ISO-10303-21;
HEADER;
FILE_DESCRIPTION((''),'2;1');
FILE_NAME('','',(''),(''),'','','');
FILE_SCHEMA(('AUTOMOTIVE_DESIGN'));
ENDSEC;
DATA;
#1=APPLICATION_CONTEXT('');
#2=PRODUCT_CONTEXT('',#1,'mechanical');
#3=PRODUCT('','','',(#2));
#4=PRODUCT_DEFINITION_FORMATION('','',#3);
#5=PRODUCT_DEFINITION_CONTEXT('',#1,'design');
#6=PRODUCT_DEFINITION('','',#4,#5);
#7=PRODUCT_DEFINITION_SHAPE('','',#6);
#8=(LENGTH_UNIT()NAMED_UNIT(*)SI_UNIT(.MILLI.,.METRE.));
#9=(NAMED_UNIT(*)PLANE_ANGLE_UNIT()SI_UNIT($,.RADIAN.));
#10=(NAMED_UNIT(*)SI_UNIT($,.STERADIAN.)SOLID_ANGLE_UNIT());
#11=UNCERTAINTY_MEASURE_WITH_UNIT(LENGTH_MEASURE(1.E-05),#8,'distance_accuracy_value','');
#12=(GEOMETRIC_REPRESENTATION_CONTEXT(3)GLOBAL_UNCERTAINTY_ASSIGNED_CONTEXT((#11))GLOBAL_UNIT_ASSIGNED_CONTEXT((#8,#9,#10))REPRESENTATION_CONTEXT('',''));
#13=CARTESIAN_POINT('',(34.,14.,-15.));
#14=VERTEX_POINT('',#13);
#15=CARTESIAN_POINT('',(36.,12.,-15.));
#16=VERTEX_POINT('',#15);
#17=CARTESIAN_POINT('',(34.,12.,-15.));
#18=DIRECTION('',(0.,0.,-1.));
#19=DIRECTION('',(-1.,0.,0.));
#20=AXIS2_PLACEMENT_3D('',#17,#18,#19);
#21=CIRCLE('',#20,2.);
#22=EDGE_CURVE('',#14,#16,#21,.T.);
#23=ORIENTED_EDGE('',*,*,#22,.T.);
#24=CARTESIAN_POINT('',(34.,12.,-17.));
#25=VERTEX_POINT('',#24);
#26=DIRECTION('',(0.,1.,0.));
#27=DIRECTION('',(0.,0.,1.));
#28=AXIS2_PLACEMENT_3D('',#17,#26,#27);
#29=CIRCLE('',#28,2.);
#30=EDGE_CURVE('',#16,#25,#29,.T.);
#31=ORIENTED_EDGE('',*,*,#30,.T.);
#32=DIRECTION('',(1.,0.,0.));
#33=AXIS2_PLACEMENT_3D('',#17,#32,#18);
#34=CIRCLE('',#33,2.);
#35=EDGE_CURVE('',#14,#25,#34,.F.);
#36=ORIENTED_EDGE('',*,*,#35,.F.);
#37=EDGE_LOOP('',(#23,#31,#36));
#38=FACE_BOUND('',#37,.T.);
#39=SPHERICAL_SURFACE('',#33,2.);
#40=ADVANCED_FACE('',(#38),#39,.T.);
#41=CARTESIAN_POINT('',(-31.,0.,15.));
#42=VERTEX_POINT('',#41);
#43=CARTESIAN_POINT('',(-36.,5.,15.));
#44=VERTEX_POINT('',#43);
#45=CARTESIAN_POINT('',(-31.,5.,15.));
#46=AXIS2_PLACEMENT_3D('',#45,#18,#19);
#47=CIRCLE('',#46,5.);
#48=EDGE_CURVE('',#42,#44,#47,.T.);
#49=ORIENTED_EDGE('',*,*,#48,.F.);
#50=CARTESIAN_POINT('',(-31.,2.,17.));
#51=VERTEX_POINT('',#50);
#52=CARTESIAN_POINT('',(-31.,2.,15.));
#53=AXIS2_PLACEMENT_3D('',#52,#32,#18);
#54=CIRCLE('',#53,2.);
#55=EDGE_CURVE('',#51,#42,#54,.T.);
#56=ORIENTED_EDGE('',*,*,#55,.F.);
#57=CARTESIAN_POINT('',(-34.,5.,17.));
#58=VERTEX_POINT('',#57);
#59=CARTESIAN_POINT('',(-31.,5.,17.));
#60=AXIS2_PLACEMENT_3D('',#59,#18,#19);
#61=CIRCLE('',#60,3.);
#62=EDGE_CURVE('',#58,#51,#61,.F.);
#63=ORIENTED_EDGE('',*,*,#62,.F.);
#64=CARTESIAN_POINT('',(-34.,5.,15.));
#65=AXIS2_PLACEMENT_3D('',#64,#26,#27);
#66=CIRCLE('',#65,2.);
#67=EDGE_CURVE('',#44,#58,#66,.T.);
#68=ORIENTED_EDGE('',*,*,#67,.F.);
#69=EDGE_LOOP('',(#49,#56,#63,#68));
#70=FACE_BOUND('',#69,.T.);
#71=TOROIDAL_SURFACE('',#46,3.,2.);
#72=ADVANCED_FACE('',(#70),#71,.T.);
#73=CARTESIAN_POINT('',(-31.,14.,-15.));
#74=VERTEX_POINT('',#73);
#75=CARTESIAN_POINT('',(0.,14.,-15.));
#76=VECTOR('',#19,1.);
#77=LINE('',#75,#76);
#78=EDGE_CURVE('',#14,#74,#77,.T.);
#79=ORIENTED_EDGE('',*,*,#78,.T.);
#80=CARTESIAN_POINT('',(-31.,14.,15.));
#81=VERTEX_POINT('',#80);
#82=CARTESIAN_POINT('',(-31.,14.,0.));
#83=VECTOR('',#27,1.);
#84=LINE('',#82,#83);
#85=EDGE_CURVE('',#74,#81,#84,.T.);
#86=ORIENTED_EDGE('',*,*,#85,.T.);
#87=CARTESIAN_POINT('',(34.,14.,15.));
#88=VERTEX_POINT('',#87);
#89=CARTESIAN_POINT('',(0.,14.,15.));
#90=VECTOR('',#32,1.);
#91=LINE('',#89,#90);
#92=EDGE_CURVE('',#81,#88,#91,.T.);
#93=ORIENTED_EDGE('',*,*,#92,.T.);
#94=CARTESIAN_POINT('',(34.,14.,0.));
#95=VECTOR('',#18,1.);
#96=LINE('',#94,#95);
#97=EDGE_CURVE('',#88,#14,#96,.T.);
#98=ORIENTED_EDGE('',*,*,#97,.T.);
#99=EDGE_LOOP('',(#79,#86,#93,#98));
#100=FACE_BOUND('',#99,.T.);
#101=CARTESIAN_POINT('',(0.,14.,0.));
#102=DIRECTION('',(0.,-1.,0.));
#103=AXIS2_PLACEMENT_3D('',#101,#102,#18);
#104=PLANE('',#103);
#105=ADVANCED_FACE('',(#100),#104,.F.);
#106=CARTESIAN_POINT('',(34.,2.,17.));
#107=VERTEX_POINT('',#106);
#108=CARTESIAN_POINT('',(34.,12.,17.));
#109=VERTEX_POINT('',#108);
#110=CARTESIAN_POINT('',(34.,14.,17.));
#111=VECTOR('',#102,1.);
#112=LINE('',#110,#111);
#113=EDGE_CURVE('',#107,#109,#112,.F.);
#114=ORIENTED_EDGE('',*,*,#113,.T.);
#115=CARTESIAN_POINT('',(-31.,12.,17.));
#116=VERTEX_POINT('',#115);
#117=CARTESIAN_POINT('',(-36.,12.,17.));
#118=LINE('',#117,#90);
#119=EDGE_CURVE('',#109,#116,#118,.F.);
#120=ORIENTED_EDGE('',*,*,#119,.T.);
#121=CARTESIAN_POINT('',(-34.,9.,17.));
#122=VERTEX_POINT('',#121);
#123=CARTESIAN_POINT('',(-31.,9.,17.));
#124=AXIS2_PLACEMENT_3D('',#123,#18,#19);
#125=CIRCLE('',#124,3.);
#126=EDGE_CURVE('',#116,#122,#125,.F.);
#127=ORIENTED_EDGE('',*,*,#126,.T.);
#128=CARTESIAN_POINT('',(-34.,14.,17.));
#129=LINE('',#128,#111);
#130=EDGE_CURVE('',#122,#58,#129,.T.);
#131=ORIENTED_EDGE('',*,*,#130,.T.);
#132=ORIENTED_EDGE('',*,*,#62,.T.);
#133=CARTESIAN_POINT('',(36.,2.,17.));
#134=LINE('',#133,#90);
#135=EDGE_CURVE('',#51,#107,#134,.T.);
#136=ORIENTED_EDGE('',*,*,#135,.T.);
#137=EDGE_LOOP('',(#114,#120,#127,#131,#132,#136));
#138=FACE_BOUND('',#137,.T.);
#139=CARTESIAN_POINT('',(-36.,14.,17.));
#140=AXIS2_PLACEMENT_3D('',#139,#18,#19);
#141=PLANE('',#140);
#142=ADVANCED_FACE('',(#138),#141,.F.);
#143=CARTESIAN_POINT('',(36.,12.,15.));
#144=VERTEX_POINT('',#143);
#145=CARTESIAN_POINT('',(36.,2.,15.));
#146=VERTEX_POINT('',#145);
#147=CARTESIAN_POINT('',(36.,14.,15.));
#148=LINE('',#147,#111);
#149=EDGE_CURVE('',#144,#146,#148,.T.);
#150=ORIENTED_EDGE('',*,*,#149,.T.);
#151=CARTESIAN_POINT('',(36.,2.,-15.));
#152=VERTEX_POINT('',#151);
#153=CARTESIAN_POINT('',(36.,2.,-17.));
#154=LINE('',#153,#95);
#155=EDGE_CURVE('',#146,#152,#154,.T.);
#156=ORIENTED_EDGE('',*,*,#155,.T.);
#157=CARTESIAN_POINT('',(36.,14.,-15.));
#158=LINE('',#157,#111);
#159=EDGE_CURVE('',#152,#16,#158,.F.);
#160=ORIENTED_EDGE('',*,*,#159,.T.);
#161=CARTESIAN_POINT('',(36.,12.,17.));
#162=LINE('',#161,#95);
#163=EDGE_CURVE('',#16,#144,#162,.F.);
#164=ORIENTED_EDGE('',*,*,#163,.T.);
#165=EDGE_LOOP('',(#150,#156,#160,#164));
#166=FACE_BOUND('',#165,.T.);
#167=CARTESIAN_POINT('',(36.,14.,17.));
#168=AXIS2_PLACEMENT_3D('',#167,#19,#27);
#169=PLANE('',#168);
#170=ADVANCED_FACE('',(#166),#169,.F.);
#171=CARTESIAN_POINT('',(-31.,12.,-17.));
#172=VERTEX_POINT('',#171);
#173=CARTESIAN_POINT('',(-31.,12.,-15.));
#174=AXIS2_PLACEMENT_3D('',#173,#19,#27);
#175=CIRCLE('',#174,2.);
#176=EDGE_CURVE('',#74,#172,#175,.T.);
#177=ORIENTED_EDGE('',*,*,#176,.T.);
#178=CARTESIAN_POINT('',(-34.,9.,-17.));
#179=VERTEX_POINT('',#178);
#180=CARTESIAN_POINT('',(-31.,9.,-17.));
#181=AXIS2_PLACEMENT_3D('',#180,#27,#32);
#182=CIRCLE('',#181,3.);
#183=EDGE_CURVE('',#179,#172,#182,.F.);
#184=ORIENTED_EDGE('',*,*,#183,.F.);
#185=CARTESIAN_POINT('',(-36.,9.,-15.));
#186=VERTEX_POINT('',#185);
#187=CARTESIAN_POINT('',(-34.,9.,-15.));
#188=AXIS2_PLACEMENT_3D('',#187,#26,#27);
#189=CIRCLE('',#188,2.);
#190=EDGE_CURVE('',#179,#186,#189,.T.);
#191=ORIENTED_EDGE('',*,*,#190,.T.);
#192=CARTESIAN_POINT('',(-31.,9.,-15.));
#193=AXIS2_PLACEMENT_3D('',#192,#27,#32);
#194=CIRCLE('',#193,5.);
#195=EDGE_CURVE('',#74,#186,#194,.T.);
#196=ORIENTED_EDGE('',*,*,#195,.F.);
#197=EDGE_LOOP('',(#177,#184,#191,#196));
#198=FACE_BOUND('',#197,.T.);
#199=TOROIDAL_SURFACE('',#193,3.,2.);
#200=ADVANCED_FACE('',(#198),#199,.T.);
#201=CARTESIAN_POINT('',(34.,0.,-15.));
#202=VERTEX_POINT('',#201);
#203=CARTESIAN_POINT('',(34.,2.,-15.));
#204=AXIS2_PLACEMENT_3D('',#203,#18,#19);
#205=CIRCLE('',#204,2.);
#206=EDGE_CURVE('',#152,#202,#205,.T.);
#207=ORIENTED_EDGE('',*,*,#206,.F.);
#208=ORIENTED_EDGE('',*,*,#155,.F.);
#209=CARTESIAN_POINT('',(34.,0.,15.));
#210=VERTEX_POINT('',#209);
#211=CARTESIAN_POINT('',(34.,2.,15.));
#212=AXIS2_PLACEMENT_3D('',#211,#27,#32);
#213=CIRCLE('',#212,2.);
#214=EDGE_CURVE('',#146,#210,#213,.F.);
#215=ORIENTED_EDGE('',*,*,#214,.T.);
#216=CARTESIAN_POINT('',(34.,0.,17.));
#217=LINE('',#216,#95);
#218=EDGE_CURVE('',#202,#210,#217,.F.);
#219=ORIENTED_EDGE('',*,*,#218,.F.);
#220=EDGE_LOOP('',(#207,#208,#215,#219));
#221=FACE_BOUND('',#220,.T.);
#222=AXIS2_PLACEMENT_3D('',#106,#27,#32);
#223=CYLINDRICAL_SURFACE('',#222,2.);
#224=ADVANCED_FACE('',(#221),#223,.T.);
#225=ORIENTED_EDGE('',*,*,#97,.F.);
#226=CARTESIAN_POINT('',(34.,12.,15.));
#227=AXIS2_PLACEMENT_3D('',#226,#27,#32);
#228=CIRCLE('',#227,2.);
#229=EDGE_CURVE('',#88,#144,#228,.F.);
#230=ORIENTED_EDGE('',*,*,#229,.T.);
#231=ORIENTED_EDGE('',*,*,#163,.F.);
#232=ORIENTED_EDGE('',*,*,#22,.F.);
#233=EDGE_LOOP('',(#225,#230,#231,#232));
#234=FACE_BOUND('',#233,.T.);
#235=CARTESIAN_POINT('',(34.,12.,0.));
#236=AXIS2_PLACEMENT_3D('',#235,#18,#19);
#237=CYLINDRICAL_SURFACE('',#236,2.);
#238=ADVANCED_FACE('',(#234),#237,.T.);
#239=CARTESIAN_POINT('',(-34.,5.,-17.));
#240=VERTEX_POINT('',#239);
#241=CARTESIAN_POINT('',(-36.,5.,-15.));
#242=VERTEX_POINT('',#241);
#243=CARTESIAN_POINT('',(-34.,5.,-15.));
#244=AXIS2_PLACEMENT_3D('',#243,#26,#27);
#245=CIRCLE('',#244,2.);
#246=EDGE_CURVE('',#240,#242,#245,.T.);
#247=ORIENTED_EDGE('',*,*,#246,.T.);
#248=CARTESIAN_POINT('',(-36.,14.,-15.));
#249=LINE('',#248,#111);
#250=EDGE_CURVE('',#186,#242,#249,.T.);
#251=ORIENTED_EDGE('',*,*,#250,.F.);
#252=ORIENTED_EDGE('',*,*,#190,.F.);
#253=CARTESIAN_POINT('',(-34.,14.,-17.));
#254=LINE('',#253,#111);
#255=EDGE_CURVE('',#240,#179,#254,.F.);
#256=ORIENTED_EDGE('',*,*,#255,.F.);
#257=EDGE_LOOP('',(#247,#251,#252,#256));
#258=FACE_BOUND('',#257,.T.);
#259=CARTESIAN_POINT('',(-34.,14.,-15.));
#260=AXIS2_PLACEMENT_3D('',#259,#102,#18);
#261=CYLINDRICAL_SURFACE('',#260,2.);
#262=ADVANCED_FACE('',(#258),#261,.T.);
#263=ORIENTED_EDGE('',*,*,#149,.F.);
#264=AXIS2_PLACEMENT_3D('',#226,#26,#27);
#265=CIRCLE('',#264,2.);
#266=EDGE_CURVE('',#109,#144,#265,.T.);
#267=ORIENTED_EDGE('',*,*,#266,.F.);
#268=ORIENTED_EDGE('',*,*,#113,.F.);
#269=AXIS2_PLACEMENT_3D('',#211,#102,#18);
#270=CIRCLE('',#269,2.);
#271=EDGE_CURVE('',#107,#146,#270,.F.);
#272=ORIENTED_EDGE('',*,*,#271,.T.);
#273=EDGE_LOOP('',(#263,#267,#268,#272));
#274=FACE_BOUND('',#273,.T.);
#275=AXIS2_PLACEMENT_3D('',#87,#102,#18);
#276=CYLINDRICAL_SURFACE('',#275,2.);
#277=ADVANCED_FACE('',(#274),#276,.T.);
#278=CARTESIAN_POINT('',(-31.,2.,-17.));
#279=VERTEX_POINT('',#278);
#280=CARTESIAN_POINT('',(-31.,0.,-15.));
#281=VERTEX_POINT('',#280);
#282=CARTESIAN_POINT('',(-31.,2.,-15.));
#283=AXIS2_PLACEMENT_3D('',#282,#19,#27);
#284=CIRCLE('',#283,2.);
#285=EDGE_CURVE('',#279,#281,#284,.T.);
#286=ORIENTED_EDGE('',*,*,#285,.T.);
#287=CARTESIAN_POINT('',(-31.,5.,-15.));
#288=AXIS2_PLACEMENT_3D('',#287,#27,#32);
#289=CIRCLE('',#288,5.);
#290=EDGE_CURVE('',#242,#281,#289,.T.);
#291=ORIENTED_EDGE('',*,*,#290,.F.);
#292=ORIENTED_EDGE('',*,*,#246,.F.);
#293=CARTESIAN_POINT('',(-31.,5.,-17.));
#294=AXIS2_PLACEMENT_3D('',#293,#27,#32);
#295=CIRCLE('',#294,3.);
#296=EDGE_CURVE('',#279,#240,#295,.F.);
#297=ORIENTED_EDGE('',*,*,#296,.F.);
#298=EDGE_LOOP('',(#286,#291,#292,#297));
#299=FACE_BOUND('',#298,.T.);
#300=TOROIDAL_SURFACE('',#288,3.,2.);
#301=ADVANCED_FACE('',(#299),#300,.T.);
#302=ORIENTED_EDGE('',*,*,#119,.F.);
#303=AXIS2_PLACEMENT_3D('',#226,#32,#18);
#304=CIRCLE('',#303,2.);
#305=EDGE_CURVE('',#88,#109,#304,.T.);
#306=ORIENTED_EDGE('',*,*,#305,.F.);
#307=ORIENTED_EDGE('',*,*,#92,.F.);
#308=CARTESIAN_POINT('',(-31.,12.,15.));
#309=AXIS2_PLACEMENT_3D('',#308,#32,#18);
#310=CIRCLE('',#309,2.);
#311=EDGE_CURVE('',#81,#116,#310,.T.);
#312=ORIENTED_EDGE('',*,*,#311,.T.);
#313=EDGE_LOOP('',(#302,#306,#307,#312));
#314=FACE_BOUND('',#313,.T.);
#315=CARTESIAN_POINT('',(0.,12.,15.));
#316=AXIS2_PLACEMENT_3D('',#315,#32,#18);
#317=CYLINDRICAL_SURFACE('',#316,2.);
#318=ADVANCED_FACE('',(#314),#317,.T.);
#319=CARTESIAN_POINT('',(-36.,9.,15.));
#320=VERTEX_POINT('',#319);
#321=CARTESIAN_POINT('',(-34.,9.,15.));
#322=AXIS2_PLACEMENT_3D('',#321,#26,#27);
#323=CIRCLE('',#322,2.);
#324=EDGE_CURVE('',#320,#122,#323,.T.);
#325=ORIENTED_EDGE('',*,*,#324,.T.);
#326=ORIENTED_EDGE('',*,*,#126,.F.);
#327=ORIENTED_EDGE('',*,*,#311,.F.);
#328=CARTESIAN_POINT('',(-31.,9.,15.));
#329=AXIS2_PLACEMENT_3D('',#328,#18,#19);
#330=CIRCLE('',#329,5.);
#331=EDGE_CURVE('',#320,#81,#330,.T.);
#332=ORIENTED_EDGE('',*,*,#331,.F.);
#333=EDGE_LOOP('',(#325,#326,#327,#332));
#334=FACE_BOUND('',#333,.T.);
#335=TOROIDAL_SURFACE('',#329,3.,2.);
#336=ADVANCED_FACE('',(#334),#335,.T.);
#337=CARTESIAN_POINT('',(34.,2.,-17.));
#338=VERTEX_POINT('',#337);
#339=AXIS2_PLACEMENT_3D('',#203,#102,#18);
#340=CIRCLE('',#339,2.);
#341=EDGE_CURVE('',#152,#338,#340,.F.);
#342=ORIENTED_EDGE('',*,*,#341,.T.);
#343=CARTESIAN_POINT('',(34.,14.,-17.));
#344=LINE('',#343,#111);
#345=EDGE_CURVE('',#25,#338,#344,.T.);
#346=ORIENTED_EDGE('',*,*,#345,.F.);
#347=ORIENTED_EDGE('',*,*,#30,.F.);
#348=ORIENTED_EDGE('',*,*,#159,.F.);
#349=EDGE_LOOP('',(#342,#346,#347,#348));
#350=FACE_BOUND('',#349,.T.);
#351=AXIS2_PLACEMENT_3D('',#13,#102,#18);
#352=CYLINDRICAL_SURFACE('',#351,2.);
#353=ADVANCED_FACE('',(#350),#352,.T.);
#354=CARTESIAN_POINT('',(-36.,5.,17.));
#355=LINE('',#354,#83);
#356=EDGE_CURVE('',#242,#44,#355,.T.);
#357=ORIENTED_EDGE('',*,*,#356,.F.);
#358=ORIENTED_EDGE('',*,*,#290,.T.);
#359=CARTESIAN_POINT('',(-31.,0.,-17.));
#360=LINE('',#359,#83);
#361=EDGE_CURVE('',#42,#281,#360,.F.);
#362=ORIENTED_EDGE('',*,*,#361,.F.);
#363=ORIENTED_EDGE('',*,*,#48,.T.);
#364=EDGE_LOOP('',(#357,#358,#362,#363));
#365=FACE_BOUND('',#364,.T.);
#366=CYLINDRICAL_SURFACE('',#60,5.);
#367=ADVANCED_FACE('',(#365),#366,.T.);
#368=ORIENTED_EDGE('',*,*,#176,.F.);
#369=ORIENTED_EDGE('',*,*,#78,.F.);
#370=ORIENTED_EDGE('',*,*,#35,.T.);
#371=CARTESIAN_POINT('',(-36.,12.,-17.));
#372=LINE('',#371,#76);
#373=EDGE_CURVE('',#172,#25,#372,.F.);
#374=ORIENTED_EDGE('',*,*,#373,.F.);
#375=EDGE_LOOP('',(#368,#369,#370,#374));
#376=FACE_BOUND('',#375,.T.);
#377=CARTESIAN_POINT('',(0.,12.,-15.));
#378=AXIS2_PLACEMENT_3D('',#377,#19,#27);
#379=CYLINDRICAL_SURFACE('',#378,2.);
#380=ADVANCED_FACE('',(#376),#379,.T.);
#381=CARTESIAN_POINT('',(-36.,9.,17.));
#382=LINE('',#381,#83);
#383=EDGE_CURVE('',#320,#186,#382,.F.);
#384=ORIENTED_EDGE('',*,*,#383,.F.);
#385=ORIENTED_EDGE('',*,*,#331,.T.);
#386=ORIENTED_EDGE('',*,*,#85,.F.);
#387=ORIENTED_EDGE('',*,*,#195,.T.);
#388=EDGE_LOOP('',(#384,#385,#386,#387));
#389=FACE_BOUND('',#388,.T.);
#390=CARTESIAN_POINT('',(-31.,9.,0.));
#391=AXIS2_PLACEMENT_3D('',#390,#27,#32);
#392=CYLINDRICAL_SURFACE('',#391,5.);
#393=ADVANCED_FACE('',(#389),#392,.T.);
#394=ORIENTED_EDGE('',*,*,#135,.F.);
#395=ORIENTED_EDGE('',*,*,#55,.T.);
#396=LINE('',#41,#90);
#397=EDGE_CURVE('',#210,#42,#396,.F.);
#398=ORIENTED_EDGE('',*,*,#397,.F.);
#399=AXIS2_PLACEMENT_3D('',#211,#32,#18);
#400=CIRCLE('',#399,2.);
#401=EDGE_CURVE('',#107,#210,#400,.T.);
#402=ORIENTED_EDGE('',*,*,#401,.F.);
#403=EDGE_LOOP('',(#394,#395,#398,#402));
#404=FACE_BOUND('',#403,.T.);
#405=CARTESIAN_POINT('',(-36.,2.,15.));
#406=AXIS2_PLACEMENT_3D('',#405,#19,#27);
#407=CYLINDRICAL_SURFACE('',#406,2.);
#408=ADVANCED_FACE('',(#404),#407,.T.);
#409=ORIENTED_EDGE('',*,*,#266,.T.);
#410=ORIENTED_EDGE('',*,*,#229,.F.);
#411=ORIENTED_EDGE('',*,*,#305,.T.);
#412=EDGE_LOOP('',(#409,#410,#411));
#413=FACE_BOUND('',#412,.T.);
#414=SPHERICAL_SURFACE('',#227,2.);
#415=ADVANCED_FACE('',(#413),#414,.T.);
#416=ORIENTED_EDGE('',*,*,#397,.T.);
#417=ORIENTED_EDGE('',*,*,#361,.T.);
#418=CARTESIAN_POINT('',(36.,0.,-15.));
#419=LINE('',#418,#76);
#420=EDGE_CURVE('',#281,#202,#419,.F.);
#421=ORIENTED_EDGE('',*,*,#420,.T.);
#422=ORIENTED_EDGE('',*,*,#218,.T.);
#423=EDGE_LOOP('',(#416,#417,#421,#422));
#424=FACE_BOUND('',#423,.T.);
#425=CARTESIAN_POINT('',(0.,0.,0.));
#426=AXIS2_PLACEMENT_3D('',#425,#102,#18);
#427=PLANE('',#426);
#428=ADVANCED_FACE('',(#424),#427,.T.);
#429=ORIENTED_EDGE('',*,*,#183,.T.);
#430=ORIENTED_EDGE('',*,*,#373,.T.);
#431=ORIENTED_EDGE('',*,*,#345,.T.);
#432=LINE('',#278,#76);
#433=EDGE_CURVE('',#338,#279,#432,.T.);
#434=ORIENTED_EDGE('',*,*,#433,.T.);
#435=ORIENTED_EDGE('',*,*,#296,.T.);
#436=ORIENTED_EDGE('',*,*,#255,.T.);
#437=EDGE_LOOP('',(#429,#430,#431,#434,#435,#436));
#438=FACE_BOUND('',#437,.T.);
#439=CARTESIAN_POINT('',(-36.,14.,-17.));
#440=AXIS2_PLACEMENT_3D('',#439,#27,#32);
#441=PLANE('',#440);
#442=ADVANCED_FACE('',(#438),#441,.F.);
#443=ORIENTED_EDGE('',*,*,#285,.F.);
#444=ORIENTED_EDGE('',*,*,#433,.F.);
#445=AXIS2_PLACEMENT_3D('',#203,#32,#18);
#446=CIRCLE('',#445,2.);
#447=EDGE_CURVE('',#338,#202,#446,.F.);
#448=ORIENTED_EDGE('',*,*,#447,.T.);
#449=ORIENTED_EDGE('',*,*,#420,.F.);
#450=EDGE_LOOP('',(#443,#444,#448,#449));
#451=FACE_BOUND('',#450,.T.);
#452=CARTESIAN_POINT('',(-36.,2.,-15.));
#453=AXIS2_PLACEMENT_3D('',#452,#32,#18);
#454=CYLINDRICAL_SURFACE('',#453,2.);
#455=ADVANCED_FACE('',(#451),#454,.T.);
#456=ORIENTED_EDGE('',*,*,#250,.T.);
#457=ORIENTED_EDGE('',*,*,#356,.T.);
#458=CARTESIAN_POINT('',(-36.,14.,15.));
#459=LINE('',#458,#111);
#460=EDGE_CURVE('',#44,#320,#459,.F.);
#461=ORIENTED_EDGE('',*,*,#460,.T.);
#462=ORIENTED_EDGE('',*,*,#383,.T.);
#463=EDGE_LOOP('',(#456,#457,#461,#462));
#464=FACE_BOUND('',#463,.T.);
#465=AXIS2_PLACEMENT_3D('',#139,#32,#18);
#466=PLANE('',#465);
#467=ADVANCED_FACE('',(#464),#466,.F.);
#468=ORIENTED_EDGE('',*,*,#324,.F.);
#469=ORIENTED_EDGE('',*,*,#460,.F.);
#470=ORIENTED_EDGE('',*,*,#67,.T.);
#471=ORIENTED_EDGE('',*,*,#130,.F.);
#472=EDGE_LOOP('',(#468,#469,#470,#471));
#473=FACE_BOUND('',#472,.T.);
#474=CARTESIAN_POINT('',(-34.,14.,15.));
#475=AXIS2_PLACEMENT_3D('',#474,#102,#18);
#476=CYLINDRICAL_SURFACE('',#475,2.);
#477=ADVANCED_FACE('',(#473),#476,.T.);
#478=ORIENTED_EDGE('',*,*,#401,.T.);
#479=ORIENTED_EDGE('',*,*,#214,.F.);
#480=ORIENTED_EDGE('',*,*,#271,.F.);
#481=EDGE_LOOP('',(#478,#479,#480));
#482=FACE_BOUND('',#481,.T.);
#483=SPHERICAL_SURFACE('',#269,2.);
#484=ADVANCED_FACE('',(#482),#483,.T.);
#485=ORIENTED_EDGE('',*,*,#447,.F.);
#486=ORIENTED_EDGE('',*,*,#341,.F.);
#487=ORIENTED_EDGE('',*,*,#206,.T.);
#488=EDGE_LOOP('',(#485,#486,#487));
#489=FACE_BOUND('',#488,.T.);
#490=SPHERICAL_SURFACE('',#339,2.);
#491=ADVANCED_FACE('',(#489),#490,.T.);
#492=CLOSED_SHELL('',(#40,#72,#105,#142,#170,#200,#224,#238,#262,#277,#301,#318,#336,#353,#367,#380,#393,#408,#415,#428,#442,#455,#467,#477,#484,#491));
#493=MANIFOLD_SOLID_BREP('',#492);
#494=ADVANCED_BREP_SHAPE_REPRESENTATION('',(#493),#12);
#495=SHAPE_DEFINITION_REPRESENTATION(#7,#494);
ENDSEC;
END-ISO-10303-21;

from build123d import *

# Parameters (mm, degrees)
SKETCH2_W           = 72
SKETCH2_H           = 34
BOSS_EXTRUDE1_DEPTH = 14
FILLET5_R           = 5
FILLET6_R           = 2


with BuildPart() as part:
    # Sketch2 → Boss-Extrude1 (new body)
    with BuildSketch(Plane(origin=(0, 0, 0), x_dir=(1, 0, 0), z_dir=(0, 1, 0))):
        Rectangle(SKETCH2_W, SKETCH2_H)
    extrude(amount=BOSS_EXTRUDE1_DEPTH)

    # Fillet5
    fillet5_edges = [part.edges().sort_by_distance(p)[0] for p in [
        (-36, 14, 0),
        (-36, 0, 0),
    ]]
    fillet(fillet5_edges, radius=FILLET5_R)

    # Fillet6
    fillet6_edges = [part.edges().sort_by_distance(p)[0] for p in [
        (-36, 7, 17),
        (-36, 7, -17),
        (2.5, 0, 17),
        (2.5, 14, 17),
        (-34.535533906, 12.535533906, 17),
        (-34.535533906, 1.464466094, 17),
        (-34.535533906, 12.535533906, -17),
        (-34.535533906, 1.464466094, -17),
        (36, 14, 0),
        (2.5, 0, -17),
        (36, 0, 0),
        (36, 7, 17),
        (36, 7, -17),
        (2.5, 14, -17),
    ]]
    fillet(fillet6_edges, radius=FILLET6_R)


solid = part.part
